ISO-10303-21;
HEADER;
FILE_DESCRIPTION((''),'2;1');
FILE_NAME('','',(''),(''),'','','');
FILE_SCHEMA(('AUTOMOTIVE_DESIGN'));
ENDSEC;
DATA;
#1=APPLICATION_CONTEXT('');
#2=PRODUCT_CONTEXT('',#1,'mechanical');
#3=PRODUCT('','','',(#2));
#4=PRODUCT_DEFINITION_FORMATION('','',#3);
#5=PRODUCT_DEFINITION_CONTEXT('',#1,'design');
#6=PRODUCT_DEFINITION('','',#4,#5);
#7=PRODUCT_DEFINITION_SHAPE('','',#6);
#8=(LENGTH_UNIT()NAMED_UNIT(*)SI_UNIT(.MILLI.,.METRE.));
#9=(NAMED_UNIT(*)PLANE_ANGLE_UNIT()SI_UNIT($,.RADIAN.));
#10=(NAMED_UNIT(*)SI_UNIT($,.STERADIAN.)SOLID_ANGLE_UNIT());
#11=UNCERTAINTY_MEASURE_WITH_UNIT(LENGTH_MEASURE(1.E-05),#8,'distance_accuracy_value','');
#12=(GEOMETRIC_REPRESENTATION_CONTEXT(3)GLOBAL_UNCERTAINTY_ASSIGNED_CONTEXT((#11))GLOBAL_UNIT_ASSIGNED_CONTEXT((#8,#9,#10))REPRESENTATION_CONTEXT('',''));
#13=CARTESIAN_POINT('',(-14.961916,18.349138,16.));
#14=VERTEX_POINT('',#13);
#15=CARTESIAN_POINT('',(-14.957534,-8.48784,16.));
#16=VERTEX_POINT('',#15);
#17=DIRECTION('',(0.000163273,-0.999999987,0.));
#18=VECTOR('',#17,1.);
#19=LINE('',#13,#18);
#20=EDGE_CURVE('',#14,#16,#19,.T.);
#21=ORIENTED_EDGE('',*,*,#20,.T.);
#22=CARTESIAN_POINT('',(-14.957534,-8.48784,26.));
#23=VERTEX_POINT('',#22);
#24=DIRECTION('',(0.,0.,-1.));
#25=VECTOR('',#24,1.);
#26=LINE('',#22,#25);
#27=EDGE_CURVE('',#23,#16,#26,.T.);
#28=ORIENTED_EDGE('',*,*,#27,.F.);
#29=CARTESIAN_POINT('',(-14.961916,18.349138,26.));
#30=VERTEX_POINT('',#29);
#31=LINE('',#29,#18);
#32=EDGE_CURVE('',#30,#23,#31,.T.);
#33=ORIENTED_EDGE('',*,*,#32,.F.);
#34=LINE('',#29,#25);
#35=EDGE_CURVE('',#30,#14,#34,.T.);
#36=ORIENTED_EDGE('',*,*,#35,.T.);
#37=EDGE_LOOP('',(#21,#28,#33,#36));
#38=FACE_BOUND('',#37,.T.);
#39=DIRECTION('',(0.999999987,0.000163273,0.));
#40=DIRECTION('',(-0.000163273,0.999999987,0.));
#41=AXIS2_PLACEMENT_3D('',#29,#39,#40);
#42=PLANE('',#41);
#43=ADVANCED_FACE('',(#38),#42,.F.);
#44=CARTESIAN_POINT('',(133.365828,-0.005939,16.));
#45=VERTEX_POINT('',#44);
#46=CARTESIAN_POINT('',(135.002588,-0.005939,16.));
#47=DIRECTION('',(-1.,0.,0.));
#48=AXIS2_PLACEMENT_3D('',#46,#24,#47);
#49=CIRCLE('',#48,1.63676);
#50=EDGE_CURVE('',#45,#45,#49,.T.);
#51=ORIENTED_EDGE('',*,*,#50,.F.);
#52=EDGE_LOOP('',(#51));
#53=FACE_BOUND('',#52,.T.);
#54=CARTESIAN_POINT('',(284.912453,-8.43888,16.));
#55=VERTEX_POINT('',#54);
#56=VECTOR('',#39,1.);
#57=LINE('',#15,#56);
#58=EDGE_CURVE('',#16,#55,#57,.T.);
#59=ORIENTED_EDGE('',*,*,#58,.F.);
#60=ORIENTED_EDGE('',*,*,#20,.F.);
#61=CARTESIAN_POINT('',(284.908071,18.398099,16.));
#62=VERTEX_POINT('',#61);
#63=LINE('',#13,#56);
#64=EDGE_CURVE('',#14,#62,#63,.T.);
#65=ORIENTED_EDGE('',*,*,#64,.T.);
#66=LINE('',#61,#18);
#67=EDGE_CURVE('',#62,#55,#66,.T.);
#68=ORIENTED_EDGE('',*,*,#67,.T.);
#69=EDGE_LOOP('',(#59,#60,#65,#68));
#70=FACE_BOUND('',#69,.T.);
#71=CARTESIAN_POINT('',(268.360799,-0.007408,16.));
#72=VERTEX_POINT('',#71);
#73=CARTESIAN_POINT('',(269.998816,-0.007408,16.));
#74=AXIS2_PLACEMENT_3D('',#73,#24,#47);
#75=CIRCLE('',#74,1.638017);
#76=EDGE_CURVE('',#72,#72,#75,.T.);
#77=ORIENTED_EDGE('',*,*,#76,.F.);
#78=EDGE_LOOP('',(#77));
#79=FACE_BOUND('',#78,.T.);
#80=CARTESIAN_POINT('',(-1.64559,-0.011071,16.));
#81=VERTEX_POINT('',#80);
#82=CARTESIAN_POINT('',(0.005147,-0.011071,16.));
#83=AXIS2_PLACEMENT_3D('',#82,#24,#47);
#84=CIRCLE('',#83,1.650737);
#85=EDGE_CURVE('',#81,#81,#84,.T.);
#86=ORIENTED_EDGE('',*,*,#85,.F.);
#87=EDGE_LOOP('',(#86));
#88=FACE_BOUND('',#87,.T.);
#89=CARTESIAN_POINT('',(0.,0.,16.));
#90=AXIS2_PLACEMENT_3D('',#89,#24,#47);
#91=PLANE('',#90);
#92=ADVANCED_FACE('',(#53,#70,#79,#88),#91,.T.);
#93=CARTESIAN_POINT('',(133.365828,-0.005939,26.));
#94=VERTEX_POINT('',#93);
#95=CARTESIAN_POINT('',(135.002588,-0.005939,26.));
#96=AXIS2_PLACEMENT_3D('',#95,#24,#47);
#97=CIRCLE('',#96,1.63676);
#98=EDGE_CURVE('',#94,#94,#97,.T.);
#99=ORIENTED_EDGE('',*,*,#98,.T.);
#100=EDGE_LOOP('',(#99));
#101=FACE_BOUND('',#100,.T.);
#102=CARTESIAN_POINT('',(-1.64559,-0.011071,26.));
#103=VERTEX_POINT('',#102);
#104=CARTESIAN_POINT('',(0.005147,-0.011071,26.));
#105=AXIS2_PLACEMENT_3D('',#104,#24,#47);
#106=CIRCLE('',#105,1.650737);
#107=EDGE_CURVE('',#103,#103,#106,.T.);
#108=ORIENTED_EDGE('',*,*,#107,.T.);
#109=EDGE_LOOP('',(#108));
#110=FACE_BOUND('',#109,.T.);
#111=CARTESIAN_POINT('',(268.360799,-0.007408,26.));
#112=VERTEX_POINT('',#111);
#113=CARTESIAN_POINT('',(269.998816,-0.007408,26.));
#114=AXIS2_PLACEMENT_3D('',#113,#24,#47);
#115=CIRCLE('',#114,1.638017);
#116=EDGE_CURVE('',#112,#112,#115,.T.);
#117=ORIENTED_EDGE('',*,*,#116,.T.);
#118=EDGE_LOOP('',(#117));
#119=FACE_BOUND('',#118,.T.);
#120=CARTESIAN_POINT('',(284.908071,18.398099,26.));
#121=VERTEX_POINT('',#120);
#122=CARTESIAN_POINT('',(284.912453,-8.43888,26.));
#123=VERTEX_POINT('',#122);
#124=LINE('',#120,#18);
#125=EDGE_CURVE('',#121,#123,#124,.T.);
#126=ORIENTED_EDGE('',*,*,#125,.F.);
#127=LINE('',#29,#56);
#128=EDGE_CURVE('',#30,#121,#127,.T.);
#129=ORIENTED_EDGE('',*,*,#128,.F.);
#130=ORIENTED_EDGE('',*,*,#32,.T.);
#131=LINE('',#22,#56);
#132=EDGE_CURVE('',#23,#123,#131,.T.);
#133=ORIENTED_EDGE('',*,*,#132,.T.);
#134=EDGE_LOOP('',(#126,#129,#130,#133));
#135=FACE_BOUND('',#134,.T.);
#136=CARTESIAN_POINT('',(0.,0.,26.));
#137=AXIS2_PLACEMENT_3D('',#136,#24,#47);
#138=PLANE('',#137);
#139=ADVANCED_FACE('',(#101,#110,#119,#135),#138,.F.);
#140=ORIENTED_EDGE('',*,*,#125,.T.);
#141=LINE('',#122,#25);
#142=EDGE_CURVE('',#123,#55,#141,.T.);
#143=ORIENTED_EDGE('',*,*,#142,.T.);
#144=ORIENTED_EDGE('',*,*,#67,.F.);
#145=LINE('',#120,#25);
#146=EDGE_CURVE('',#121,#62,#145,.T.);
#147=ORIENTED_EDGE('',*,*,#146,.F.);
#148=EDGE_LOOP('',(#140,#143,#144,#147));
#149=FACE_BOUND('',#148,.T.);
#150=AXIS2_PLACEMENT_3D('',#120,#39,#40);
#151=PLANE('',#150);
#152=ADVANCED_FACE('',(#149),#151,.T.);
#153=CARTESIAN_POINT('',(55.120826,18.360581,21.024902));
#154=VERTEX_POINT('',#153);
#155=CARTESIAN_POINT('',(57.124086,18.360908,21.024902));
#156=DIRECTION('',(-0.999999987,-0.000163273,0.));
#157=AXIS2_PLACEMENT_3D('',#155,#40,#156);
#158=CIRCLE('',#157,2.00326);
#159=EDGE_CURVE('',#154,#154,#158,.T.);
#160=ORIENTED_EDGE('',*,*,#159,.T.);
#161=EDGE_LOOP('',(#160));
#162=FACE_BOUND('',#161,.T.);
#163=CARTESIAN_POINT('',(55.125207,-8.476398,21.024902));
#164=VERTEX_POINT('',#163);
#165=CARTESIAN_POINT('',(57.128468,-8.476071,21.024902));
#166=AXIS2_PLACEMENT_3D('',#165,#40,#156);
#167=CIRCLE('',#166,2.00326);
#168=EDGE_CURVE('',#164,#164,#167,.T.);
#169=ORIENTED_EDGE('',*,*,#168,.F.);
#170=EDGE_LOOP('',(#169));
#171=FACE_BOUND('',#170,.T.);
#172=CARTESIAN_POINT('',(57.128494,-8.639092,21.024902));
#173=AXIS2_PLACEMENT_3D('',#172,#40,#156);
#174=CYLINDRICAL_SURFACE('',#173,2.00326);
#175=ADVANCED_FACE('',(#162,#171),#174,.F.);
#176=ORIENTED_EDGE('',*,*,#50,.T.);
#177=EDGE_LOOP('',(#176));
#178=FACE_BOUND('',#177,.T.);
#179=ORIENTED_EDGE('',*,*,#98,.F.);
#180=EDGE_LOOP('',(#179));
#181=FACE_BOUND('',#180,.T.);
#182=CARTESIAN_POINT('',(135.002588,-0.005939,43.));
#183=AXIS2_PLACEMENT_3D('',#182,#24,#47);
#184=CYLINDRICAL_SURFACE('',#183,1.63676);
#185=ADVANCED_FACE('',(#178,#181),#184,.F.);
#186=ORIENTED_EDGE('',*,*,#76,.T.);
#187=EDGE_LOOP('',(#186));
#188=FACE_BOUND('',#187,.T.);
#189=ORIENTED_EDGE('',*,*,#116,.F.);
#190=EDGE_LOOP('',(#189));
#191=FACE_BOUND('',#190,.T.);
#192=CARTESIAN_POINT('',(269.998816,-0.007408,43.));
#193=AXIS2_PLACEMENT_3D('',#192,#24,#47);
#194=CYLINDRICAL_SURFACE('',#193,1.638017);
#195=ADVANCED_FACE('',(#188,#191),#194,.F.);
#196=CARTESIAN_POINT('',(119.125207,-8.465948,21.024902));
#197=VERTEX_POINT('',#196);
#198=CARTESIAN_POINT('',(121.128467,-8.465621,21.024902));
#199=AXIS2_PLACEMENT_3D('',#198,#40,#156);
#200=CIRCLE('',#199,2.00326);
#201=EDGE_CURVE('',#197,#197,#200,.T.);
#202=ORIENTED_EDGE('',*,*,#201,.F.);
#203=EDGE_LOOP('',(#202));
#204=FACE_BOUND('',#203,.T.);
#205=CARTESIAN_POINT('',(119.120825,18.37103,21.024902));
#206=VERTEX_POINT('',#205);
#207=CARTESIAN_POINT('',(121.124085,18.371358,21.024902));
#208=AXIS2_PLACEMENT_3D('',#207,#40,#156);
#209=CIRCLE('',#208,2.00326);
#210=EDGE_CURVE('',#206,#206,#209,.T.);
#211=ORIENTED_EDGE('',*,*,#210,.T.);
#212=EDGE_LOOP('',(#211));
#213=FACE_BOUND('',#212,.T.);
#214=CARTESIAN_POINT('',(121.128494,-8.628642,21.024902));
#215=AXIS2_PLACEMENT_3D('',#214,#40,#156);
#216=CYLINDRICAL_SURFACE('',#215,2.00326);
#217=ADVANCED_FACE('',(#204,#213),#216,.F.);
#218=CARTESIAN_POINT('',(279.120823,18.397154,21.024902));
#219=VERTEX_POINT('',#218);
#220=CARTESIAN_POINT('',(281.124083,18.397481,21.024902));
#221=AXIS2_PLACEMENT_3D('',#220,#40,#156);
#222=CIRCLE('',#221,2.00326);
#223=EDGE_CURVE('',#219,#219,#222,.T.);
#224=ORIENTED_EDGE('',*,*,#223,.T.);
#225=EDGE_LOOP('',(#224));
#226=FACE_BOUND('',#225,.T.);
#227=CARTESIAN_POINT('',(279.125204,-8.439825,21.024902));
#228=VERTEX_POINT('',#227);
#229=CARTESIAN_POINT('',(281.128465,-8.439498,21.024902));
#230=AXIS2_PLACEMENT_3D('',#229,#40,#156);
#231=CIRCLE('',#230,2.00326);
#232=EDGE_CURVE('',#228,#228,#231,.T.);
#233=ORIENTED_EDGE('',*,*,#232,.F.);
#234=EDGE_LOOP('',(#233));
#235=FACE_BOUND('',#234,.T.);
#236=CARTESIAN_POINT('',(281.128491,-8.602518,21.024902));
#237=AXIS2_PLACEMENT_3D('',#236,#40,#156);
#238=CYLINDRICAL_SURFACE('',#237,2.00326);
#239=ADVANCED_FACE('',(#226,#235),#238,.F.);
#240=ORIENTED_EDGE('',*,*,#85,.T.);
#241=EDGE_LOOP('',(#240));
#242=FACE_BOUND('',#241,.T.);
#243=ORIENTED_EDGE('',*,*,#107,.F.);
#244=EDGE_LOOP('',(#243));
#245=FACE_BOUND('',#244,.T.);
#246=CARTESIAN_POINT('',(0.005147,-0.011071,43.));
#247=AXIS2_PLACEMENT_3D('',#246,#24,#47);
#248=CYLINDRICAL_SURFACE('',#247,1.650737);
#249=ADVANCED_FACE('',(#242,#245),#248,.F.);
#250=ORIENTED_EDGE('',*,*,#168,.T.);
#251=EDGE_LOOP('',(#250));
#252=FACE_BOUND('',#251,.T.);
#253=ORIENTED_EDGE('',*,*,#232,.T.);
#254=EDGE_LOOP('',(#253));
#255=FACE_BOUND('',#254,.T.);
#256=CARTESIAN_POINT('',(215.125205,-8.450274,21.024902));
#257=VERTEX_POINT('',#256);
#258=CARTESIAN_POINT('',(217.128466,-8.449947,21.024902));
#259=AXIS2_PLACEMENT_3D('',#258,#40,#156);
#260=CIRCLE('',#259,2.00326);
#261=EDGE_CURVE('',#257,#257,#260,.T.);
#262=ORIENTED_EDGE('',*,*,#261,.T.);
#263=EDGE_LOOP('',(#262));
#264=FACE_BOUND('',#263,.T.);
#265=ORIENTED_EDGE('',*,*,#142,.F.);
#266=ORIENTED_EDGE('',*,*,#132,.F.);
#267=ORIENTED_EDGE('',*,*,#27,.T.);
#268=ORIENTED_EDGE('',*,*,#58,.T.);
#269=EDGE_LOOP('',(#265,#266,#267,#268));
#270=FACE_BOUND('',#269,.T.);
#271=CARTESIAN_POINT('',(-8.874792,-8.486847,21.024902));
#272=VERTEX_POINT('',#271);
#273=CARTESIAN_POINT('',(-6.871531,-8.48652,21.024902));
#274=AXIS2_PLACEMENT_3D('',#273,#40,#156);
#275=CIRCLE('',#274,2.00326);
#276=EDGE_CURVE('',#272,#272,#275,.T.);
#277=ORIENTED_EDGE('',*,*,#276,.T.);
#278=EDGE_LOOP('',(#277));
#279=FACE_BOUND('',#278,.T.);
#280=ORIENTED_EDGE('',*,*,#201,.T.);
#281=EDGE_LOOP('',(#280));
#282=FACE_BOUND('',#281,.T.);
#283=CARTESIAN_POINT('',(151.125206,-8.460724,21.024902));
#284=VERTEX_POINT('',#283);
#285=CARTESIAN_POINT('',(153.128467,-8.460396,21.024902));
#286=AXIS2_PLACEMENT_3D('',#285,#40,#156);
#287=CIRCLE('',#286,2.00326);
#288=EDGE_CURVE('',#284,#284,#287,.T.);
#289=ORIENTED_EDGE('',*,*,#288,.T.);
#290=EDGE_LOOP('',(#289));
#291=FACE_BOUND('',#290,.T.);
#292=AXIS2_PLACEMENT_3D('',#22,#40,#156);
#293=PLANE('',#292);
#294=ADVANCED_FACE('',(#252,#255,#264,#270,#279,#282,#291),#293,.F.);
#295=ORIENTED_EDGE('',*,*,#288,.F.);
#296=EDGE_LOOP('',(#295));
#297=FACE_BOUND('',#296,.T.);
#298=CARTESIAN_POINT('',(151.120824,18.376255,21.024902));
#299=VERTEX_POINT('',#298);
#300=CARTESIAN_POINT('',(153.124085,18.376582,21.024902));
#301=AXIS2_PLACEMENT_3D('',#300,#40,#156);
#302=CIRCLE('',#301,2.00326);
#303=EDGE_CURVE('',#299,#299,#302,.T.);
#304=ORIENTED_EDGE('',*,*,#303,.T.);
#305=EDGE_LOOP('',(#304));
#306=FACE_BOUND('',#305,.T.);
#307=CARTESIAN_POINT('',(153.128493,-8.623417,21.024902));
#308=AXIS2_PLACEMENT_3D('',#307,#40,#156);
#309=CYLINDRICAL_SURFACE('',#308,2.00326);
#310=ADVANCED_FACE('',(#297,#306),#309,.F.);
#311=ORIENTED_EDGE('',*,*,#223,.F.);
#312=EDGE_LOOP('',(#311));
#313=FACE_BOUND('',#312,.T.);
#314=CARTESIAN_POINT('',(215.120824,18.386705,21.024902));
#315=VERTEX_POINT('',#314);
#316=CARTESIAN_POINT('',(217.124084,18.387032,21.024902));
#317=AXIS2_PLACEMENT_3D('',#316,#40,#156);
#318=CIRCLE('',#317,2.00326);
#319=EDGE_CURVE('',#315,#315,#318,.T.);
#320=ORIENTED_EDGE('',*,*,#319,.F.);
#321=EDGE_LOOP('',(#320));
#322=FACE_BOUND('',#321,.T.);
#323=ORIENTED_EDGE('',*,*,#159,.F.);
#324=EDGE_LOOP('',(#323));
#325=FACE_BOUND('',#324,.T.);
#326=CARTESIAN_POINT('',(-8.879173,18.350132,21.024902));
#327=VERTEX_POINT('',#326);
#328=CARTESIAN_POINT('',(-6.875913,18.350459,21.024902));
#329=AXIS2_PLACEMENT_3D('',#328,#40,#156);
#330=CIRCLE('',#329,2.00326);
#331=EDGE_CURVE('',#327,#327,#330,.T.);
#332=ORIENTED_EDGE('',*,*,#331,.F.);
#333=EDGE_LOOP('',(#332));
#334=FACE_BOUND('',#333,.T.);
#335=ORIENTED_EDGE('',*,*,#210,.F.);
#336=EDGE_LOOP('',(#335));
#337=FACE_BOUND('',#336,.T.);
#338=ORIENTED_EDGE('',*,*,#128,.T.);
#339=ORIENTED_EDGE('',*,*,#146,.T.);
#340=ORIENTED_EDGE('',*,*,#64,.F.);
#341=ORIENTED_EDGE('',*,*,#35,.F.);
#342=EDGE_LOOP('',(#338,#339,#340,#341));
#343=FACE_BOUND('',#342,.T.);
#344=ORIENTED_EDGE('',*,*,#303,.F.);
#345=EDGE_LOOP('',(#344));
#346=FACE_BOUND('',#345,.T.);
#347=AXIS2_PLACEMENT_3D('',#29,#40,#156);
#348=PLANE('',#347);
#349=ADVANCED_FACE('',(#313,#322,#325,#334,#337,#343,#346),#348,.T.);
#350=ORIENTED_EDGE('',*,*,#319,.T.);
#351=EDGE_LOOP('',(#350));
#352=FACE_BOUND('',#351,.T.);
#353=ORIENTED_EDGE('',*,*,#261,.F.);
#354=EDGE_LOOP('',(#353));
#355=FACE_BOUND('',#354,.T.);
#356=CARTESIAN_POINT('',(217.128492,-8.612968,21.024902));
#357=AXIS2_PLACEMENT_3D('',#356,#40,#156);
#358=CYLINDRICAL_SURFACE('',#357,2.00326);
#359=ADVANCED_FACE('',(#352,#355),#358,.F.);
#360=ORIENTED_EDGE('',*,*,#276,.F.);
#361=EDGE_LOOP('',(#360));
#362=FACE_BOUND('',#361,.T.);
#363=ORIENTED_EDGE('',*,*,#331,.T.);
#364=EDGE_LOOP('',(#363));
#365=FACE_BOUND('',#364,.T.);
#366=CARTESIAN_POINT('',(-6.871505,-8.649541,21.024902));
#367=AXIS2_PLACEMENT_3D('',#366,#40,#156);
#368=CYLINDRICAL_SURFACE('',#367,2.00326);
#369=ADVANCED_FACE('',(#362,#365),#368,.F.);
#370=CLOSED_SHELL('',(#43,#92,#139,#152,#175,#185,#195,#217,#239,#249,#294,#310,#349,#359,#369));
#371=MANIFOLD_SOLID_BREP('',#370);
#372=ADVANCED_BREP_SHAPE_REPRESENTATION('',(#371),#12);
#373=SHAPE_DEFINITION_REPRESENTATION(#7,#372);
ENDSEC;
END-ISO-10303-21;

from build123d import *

# Parameters (mm, degrees)
BOSS_EXTRUDE2_DEPTH = 10
SKETCH6_R           = 1.636760028
CUT_EXTRUDE1_DEPTH  = 27
SKETCH7_R           = 1.638016743
CUT_EXTRUDE2_DEPTH  = 27
SKETCH8_R           = 1.650737017
CUT_EXTRUDE3_DEPTH  = 27
SKETCH14_R          = 2.003260407
CUT_EXTRUDE4_DEPTH  = 27


with BuildPart() as part:
    # Sketch2 → Boss-Extrude2 (new body)
    with BuildSketch(Plane.XY.offset(16)):
        Polygon((-14.961915992, 18.349138456), (-14.957534249, -8.487840275), (284.912453053, -8.438879726), (284.90807131, 18.398099005), align=None)
    extrude(amount=BOSS_EXTRUDE2_DEPTH)

    # Sketch6 → Cut-Extrude1 (cut)
    with BuildSketch(Plane(origin=(0, 0, 16), x_dir=(-1, 0, 0), z_dir=(0, 0, -1))):
        with Locations((-135.00258755, -0.00593878)):
            Circle(SKETCH6_R)
    extrude(amount=-CUT_EXTRUDE1_DEPTH, mode=Mode.SUBTRACT)

    # Sketch7 → Cut-Extrude2 (cut)
    with BuildSketch(Plane(origin=(0, 0, 16), x_dir=(-1, 0, 0), z_dir=(0, 0, -1))):
        with Locations((-269.998815676, -0.007408264)):
            Circle(SKETCH7_R)
    extrude(amount=-CUT_EXTRUDE2_DEPTH, mode=Mode.SUBTRACT)

    # Sketch8 → Cut-Extrude3 (cut)
    with BuildSketch(Plane(origin=(0, 0, 16), x_dir=(-1, 0, 0), z_dir=(0, 0, -1))):
        with Locations((-0.005146572, -0.011071128)):
            Circle(SKETCH8_R)
    extrude(amount=-CUT_EXTRUDE3_DEPTH, mode=Mode.SUBTRACT)

    # Sketch14 → Cut-Extrude4 (cut)
    with BuildSketch(Plane(origin=(-0.00299631, 18.351580838, 0), x_dir=(0.9999999866710311, 0.00016327258684284348, 0), z_dir=(-0.00016327258684284348, 0.9999999866710311, 0))):
        with Locations(Location((-6.872916807, -21.024902159, 0), (0, 0, 180))):
            Circle(SKETCH14_R)
        with Locations(Location((57.127083193, -21.024902159, 0), (0, 0, 180))):
            Circle(SKETCH14_R)
        with Locations(Location((121.127083193, -21.024902159, 0), (0, 0, 180))):
            Circle(SKETCH14_R)
        with Locations(Location((153.127083193, -21.024902159, 0), (0, 0, 180))):
            Circle(SKETCH14_R)
        with Locations(Location((217.127083193, -21.024902159, 0), (0, 0, 180))):
            Circle(SKETCH14_R)
        with Locations(Location((281.127083193, -21.024902159, 0), (0, 0, 180))):
            Circle(SKETCH14_R)
    extrude(amount=-CUT_EXTRUDE4_DEPTH, mode=Mode.SUBTRACT)


solid = part.part
